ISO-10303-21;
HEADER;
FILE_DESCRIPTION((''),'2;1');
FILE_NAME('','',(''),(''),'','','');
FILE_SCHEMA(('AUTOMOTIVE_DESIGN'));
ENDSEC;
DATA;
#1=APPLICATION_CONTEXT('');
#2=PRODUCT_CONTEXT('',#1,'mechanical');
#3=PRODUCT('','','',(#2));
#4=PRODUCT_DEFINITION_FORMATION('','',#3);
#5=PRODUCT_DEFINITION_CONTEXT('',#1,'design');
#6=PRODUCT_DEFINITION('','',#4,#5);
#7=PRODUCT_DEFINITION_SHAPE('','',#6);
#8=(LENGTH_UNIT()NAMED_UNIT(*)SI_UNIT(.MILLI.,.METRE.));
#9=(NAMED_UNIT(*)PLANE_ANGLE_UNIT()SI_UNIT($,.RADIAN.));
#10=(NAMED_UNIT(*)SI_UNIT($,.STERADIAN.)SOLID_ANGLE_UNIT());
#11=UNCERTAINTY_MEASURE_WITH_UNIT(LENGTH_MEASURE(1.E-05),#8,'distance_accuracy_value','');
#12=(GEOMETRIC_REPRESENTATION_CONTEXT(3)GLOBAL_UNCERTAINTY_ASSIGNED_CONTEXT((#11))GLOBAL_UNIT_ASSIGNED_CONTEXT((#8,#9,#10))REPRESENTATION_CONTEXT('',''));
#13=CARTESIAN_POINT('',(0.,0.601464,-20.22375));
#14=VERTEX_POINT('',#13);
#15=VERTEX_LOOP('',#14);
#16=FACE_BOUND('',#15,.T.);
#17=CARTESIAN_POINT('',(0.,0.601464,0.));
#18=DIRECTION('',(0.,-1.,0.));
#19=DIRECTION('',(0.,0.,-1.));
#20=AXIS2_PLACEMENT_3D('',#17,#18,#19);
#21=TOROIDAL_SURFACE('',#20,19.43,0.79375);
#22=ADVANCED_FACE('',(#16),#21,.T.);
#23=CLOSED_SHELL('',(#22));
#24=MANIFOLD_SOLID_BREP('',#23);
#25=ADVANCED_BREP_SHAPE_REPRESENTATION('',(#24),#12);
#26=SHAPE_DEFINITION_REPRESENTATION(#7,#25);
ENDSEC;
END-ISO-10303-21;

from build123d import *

# Parameters (mm, degrees)
SKETCH1_R = 0.79375


with BuildPart() as part:
    # Sketch1 → Revolve1 (revolve)
    with BuildSketch(Plane.XY, mode=Mode.PRIVATE) as revolve1_sk:
        with Locations((-19.43, 0.601464435)):
            Circle(SKETCH1_R)
    revolve(revolve1_sk.sketch.rotate(Axis((0, -4.680962343, 0), (0, 1, 0)), 270), axis=Axis((0, -4.680962343, 0), (0, 1, 0)))


solid = part.part
